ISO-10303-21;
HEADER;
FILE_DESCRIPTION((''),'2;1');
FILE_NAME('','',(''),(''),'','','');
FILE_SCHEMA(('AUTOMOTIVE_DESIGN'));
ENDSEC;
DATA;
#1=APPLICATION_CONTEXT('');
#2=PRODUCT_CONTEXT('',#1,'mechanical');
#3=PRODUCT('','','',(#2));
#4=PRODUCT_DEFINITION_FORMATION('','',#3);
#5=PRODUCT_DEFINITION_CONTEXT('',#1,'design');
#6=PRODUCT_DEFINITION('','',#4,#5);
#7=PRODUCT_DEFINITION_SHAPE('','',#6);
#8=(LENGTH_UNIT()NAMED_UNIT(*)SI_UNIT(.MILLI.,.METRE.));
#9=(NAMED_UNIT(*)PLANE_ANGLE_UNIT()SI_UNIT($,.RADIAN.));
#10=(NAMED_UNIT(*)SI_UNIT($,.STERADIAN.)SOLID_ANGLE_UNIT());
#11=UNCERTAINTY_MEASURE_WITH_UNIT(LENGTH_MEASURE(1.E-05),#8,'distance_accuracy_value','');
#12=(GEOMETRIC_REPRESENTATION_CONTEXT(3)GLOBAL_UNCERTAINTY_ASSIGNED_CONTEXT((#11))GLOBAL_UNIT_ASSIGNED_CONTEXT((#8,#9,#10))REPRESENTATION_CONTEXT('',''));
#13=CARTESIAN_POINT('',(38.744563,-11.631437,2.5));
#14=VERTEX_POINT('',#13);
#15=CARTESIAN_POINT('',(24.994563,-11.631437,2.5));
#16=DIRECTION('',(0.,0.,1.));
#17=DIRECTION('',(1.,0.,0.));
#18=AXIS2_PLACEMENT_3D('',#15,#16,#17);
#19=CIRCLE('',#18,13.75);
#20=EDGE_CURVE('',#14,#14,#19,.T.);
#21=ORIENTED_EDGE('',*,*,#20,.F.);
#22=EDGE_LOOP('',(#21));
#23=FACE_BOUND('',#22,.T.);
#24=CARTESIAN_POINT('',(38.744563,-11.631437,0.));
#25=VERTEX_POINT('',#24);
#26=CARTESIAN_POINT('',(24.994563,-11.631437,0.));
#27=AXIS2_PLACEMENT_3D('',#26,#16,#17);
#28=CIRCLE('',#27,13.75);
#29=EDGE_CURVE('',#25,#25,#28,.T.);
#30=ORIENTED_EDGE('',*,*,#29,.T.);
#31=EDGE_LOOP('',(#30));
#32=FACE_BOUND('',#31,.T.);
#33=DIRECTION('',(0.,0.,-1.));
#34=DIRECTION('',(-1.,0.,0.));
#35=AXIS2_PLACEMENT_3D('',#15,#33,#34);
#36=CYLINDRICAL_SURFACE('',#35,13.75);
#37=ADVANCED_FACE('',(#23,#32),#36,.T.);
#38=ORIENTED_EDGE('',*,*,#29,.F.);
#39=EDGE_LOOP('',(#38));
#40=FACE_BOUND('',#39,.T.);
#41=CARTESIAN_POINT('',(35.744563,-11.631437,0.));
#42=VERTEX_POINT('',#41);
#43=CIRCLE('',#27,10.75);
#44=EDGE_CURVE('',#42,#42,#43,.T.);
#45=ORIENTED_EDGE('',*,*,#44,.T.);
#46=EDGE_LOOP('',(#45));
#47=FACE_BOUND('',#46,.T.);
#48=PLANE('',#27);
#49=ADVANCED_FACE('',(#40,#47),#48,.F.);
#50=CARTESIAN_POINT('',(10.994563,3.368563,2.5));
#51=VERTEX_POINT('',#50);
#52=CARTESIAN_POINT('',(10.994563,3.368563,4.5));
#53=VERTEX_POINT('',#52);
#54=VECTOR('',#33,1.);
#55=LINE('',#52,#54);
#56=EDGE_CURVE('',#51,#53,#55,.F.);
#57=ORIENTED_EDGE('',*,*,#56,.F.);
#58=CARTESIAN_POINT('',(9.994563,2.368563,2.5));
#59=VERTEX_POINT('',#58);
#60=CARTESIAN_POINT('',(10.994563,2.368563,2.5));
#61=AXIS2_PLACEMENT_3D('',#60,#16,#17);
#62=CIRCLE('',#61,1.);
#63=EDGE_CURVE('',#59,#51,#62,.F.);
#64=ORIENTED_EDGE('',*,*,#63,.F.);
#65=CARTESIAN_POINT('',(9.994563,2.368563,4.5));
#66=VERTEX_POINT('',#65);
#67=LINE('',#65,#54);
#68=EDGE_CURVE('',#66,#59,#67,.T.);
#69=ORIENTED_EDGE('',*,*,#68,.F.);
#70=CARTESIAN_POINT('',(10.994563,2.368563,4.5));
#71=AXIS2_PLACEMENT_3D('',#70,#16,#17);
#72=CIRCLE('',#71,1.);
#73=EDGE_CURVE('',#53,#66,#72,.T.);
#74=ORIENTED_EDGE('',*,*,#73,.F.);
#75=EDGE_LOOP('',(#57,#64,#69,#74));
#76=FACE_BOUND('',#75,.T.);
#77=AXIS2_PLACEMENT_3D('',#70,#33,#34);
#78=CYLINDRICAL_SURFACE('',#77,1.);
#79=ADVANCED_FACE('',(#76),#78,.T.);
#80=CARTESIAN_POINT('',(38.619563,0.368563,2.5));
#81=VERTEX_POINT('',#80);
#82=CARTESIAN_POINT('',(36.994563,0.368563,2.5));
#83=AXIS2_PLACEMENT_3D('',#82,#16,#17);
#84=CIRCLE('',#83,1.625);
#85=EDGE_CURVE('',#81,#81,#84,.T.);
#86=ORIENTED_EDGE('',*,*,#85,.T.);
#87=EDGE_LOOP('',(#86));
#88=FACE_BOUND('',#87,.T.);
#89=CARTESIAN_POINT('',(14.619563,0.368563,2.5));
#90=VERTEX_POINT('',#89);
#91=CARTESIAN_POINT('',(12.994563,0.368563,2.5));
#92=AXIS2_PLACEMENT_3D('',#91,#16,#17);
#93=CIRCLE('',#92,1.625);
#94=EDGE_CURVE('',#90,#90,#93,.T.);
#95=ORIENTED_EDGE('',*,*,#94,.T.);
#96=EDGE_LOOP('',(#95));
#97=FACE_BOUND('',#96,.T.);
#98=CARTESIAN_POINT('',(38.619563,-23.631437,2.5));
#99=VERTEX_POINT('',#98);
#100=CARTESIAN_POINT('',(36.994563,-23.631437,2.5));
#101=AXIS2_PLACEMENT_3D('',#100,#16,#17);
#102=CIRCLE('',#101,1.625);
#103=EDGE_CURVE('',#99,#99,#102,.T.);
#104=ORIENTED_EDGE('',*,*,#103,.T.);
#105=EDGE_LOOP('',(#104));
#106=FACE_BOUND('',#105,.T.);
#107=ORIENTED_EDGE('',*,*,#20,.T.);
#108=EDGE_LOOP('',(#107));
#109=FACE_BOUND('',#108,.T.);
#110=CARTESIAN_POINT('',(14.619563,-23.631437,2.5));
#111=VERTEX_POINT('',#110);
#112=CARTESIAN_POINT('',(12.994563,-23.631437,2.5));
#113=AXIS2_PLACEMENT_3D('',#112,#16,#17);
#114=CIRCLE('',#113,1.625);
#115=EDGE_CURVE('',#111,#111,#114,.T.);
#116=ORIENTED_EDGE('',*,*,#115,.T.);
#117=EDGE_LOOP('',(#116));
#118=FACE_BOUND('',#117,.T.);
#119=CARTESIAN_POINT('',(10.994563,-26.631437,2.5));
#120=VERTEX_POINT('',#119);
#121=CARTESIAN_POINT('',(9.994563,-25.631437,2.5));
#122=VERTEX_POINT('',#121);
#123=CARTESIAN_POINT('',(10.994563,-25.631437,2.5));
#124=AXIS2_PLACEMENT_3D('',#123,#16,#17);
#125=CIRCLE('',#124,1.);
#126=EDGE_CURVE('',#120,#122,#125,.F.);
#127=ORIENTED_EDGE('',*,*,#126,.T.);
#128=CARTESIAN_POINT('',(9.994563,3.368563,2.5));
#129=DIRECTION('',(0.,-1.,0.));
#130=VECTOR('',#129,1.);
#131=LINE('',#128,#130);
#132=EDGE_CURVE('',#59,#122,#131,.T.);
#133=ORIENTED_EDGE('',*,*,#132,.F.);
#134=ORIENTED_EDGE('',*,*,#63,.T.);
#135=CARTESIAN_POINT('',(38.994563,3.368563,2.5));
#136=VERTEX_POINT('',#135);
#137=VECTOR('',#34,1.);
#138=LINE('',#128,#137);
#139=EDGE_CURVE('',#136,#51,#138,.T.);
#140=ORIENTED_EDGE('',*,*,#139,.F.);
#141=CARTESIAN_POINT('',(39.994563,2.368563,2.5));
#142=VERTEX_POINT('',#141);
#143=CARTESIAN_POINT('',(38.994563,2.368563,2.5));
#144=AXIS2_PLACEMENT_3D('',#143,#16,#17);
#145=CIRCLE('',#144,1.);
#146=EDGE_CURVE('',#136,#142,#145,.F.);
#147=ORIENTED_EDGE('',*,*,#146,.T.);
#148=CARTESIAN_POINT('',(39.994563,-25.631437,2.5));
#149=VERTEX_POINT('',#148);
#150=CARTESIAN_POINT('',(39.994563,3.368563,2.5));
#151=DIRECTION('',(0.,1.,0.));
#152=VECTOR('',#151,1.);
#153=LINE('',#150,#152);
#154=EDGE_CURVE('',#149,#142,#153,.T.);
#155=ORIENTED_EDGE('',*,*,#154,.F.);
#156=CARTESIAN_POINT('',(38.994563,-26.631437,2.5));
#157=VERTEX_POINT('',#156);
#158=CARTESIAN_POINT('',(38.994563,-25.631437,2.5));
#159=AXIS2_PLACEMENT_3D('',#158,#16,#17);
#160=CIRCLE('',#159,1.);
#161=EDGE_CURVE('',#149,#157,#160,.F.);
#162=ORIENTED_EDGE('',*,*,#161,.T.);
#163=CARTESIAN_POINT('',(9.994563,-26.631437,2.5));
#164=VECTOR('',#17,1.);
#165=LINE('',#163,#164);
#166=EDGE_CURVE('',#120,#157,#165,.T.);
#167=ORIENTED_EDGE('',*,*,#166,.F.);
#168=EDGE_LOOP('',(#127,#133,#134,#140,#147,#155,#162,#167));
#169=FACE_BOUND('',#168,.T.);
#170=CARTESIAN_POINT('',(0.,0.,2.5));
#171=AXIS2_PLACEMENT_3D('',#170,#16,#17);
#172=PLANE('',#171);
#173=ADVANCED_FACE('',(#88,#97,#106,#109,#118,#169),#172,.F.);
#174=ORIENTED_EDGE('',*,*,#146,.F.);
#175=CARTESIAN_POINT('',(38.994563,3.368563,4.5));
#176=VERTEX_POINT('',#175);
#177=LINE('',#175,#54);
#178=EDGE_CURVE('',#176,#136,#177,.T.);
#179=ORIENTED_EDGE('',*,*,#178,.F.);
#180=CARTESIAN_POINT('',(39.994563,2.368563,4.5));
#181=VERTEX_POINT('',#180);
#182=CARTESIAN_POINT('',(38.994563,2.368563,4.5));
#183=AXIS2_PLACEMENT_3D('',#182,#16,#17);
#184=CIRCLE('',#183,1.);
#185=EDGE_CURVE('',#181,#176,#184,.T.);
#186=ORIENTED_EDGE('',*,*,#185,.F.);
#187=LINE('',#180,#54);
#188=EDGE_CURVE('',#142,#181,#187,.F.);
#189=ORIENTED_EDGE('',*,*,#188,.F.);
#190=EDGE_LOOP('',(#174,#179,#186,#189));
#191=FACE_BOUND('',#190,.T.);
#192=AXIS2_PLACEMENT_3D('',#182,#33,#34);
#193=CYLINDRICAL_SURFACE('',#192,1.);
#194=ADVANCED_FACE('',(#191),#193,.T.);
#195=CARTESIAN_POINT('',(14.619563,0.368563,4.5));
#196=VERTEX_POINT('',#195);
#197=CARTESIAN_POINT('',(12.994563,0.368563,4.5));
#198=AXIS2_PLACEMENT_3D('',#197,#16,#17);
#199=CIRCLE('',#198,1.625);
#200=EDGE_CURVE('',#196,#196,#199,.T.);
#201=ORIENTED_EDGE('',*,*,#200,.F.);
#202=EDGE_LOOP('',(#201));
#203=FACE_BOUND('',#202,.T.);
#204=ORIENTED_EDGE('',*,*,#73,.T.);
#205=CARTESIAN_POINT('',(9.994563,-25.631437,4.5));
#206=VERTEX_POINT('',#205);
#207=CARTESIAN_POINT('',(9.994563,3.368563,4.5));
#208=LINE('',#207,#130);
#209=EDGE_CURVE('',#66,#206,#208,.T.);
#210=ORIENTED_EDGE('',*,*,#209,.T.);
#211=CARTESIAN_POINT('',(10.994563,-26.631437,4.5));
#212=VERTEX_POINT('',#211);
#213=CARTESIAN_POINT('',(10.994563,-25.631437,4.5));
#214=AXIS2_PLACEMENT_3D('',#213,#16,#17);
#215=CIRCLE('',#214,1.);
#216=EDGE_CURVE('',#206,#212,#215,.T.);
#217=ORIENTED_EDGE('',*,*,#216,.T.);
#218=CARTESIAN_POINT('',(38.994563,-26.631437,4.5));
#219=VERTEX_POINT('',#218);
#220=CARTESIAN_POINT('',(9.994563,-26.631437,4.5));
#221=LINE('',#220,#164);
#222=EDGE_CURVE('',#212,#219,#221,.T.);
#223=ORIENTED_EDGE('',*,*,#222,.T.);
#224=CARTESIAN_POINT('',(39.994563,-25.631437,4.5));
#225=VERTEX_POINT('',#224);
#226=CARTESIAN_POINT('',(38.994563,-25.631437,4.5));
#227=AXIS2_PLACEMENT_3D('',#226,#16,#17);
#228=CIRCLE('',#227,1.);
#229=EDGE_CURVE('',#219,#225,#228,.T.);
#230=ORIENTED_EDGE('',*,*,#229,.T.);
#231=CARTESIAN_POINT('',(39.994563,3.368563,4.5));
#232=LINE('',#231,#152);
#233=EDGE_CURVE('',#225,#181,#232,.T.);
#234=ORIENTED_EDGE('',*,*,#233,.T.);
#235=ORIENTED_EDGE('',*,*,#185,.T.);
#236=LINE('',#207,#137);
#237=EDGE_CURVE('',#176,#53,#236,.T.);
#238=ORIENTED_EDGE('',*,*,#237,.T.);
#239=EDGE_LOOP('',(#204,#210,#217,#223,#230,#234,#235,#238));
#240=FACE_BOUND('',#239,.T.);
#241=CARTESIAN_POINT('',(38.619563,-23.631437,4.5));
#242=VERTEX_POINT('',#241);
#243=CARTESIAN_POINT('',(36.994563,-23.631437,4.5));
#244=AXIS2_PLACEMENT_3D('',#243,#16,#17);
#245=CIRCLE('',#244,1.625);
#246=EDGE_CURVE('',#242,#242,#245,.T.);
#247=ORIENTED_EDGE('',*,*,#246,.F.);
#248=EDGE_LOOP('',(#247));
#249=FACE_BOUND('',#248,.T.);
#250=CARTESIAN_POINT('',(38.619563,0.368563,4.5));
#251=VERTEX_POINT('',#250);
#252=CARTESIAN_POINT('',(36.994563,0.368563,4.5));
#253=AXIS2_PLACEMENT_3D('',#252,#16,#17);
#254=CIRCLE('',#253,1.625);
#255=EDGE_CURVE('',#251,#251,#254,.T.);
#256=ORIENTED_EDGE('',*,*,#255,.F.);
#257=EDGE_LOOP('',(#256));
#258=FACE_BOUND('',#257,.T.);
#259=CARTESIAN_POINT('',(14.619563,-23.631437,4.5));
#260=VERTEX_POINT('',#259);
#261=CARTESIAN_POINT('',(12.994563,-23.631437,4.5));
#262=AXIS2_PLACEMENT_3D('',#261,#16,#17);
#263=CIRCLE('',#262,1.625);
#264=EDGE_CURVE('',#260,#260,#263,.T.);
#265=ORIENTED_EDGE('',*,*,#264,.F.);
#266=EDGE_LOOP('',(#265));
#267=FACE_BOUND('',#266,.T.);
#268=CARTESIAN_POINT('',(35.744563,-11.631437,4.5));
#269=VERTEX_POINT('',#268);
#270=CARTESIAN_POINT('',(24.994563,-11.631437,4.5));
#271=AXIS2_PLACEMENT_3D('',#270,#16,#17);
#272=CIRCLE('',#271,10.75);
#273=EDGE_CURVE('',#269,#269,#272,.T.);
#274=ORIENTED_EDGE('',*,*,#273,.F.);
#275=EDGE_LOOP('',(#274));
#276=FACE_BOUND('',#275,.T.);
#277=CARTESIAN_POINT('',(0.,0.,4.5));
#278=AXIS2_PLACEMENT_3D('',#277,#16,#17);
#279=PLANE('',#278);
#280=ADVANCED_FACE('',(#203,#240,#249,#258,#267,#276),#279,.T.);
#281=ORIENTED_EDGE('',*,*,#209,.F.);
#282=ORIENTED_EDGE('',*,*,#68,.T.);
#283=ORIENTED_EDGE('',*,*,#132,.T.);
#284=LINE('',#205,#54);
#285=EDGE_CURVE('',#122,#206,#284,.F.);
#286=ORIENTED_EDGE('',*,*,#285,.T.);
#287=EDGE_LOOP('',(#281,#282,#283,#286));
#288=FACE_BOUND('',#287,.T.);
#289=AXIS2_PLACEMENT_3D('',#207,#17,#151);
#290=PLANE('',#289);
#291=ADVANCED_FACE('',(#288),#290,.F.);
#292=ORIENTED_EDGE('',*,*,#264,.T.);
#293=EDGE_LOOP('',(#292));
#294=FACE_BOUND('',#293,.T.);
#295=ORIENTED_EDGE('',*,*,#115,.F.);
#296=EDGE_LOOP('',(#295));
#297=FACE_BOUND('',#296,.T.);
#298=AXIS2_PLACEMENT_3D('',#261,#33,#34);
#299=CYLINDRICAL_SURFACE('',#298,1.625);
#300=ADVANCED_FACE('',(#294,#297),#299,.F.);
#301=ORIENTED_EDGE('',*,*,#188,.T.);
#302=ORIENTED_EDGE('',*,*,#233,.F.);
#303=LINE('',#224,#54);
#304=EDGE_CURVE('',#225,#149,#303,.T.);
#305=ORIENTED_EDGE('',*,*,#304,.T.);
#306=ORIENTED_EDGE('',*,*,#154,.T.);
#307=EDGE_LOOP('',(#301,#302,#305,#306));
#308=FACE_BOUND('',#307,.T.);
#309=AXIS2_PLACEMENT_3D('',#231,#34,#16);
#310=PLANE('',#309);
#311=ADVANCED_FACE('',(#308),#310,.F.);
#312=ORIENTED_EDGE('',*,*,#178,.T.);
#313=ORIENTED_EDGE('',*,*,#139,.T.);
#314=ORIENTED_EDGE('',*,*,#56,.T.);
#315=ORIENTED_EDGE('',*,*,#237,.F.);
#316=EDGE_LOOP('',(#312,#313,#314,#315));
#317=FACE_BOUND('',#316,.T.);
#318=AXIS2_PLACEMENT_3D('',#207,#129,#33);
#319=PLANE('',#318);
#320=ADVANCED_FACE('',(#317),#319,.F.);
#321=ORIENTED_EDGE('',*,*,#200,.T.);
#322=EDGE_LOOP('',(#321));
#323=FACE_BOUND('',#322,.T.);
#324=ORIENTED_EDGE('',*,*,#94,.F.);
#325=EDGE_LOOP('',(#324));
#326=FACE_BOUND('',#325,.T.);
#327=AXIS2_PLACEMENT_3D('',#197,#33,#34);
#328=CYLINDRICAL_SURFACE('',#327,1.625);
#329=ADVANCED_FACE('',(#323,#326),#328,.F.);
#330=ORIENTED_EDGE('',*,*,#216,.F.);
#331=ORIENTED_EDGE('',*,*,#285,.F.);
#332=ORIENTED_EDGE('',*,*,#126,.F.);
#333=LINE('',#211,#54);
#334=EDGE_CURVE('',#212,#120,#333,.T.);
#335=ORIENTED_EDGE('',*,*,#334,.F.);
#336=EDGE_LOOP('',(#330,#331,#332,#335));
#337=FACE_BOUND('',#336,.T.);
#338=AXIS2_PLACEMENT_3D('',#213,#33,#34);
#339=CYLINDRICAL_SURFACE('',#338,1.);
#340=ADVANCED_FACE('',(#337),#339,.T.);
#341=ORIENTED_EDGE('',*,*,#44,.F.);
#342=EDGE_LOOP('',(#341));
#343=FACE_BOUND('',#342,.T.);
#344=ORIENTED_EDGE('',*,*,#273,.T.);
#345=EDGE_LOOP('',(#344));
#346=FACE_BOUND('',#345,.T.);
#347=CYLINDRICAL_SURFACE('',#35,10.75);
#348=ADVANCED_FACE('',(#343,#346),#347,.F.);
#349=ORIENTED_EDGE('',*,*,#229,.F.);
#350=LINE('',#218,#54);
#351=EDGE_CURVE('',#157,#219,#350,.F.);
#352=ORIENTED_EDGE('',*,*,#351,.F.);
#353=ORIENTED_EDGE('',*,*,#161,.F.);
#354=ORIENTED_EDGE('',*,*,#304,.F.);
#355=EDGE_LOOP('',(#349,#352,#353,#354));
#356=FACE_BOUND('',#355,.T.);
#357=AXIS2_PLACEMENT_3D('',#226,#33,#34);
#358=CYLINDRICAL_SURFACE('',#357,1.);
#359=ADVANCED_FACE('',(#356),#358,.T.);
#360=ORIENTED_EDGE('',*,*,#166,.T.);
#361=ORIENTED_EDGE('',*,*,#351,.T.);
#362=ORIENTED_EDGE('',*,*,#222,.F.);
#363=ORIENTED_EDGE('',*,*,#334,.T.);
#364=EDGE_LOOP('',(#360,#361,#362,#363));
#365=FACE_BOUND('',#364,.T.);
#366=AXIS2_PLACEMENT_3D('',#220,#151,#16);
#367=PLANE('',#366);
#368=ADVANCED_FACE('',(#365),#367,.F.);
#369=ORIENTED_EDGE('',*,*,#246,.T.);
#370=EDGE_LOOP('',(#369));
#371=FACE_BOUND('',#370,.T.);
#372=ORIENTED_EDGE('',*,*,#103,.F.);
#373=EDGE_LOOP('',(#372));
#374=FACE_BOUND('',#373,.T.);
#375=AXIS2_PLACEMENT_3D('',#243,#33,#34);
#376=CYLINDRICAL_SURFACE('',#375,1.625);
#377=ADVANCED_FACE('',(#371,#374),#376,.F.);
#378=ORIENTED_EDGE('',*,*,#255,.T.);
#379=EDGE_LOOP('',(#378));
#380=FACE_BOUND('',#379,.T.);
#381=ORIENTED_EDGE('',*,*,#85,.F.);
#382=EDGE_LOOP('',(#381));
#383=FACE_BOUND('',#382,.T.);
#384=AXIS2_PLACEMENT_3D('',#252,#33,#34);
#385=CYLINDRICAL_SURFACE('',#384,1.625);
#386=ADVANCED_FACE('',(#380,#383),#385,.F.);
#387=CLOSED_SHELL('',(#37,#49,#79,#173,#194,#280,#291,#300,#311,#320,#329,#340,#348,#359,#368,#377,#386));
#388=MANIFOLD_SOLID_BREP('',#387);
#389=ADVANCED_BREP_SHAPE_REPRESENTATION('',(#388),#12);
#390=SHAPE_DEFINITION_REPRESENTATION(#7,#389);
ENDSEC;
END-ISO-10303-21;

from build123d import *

# Parameters (mm, degrees)
ESQUISSE1_R             = 13.75
ESQUISSE1_R_2           = 10.75
BOSS_EXTRU_1_DEPTH      = 2.5
ESQUISSE2_W             = 30
ESQUISSE2_H             = 30
ESQUISSE2_R             = 1.625
BOSS_EXTRU_2_DEPTH      = 2
ESQUISSE3_R             = 10.75
ENL_V_MAT_EXTRU_1_DEPTH = 23
CONG_1_R                = 1


with BuildPart() as part:
    # Esquisse1 → Boss.-Extru.1 (new body)
    with BuildSketch(Plane.XY):
        with Locations((24.994563159, -11.631436553)):
            Circle(ESQUISSE1_R)
        with Locations((24.994563159, -11.631436553)):
            Circle(ESQUISSE1_R_2, mode=Mode.SUBTRACT)
    extrude(amount=BOSS_EXTRU_1_DEPTH)

    # Esquisse2 → Boss.-Extru.2 (add)
    with BuildSketch(Plane.XY.offset(2.5)):
        with Locations((24.994563159, -11.631436553)):
            Rectangle(ESQUISSE2_W, ESQUISSE2_H)
        with Locations((12.994563159, 0.368563447)):
            Circle(ESQUISSE2_R, mode=Mode.SUBTRACT)
        with Locations((36.994563159, 0.368563447)):
            Circle(ESQUISSE2_R, mode=Mode.SUBTRACT)
        with Locations((12.994563159, -23.631436553)):
            Circle(ESQUISSE2_R, mode=Mode.SUBTRACT)
        with Locations((36.994563159, -23.631436553)):
            Circle(ESQUISSE2_R, mode=Mode.SUBTRACT)
    extrude(amount=BOSS_EXTRU_2_DEPTH)

    # Esquisse3 → Enlèv. mat.-Extru.1 (cut)
    with BuildSketch(Plane(origin=(0, 0, 0), x_dir=(-1, 0, 0), z_dir=(0, 0, -1))):
        with Locations((-24.994563159, -11.631436553)):
            Circle(ESQUISSE3_R)
    extrude(amount=-ENL_V_MAT_EXTRU_1_DEPTH, mode=Mode.SUBTRACT)

    # Congé1
    cong_1_edges = [part.edges().sort_by_distance(p)[0] for p in [
        (9.994563159, 3.368563447, 3.5),
        (9.994563159, -26.631436553, 3.5),
        (39.994563159, -26.631436553, 3.5),
        (39.994563159, 3.368563447, 3.5),
    ]]
    fillet(cong_1_edges, radius=CONG_1_R)


solid = part.part
